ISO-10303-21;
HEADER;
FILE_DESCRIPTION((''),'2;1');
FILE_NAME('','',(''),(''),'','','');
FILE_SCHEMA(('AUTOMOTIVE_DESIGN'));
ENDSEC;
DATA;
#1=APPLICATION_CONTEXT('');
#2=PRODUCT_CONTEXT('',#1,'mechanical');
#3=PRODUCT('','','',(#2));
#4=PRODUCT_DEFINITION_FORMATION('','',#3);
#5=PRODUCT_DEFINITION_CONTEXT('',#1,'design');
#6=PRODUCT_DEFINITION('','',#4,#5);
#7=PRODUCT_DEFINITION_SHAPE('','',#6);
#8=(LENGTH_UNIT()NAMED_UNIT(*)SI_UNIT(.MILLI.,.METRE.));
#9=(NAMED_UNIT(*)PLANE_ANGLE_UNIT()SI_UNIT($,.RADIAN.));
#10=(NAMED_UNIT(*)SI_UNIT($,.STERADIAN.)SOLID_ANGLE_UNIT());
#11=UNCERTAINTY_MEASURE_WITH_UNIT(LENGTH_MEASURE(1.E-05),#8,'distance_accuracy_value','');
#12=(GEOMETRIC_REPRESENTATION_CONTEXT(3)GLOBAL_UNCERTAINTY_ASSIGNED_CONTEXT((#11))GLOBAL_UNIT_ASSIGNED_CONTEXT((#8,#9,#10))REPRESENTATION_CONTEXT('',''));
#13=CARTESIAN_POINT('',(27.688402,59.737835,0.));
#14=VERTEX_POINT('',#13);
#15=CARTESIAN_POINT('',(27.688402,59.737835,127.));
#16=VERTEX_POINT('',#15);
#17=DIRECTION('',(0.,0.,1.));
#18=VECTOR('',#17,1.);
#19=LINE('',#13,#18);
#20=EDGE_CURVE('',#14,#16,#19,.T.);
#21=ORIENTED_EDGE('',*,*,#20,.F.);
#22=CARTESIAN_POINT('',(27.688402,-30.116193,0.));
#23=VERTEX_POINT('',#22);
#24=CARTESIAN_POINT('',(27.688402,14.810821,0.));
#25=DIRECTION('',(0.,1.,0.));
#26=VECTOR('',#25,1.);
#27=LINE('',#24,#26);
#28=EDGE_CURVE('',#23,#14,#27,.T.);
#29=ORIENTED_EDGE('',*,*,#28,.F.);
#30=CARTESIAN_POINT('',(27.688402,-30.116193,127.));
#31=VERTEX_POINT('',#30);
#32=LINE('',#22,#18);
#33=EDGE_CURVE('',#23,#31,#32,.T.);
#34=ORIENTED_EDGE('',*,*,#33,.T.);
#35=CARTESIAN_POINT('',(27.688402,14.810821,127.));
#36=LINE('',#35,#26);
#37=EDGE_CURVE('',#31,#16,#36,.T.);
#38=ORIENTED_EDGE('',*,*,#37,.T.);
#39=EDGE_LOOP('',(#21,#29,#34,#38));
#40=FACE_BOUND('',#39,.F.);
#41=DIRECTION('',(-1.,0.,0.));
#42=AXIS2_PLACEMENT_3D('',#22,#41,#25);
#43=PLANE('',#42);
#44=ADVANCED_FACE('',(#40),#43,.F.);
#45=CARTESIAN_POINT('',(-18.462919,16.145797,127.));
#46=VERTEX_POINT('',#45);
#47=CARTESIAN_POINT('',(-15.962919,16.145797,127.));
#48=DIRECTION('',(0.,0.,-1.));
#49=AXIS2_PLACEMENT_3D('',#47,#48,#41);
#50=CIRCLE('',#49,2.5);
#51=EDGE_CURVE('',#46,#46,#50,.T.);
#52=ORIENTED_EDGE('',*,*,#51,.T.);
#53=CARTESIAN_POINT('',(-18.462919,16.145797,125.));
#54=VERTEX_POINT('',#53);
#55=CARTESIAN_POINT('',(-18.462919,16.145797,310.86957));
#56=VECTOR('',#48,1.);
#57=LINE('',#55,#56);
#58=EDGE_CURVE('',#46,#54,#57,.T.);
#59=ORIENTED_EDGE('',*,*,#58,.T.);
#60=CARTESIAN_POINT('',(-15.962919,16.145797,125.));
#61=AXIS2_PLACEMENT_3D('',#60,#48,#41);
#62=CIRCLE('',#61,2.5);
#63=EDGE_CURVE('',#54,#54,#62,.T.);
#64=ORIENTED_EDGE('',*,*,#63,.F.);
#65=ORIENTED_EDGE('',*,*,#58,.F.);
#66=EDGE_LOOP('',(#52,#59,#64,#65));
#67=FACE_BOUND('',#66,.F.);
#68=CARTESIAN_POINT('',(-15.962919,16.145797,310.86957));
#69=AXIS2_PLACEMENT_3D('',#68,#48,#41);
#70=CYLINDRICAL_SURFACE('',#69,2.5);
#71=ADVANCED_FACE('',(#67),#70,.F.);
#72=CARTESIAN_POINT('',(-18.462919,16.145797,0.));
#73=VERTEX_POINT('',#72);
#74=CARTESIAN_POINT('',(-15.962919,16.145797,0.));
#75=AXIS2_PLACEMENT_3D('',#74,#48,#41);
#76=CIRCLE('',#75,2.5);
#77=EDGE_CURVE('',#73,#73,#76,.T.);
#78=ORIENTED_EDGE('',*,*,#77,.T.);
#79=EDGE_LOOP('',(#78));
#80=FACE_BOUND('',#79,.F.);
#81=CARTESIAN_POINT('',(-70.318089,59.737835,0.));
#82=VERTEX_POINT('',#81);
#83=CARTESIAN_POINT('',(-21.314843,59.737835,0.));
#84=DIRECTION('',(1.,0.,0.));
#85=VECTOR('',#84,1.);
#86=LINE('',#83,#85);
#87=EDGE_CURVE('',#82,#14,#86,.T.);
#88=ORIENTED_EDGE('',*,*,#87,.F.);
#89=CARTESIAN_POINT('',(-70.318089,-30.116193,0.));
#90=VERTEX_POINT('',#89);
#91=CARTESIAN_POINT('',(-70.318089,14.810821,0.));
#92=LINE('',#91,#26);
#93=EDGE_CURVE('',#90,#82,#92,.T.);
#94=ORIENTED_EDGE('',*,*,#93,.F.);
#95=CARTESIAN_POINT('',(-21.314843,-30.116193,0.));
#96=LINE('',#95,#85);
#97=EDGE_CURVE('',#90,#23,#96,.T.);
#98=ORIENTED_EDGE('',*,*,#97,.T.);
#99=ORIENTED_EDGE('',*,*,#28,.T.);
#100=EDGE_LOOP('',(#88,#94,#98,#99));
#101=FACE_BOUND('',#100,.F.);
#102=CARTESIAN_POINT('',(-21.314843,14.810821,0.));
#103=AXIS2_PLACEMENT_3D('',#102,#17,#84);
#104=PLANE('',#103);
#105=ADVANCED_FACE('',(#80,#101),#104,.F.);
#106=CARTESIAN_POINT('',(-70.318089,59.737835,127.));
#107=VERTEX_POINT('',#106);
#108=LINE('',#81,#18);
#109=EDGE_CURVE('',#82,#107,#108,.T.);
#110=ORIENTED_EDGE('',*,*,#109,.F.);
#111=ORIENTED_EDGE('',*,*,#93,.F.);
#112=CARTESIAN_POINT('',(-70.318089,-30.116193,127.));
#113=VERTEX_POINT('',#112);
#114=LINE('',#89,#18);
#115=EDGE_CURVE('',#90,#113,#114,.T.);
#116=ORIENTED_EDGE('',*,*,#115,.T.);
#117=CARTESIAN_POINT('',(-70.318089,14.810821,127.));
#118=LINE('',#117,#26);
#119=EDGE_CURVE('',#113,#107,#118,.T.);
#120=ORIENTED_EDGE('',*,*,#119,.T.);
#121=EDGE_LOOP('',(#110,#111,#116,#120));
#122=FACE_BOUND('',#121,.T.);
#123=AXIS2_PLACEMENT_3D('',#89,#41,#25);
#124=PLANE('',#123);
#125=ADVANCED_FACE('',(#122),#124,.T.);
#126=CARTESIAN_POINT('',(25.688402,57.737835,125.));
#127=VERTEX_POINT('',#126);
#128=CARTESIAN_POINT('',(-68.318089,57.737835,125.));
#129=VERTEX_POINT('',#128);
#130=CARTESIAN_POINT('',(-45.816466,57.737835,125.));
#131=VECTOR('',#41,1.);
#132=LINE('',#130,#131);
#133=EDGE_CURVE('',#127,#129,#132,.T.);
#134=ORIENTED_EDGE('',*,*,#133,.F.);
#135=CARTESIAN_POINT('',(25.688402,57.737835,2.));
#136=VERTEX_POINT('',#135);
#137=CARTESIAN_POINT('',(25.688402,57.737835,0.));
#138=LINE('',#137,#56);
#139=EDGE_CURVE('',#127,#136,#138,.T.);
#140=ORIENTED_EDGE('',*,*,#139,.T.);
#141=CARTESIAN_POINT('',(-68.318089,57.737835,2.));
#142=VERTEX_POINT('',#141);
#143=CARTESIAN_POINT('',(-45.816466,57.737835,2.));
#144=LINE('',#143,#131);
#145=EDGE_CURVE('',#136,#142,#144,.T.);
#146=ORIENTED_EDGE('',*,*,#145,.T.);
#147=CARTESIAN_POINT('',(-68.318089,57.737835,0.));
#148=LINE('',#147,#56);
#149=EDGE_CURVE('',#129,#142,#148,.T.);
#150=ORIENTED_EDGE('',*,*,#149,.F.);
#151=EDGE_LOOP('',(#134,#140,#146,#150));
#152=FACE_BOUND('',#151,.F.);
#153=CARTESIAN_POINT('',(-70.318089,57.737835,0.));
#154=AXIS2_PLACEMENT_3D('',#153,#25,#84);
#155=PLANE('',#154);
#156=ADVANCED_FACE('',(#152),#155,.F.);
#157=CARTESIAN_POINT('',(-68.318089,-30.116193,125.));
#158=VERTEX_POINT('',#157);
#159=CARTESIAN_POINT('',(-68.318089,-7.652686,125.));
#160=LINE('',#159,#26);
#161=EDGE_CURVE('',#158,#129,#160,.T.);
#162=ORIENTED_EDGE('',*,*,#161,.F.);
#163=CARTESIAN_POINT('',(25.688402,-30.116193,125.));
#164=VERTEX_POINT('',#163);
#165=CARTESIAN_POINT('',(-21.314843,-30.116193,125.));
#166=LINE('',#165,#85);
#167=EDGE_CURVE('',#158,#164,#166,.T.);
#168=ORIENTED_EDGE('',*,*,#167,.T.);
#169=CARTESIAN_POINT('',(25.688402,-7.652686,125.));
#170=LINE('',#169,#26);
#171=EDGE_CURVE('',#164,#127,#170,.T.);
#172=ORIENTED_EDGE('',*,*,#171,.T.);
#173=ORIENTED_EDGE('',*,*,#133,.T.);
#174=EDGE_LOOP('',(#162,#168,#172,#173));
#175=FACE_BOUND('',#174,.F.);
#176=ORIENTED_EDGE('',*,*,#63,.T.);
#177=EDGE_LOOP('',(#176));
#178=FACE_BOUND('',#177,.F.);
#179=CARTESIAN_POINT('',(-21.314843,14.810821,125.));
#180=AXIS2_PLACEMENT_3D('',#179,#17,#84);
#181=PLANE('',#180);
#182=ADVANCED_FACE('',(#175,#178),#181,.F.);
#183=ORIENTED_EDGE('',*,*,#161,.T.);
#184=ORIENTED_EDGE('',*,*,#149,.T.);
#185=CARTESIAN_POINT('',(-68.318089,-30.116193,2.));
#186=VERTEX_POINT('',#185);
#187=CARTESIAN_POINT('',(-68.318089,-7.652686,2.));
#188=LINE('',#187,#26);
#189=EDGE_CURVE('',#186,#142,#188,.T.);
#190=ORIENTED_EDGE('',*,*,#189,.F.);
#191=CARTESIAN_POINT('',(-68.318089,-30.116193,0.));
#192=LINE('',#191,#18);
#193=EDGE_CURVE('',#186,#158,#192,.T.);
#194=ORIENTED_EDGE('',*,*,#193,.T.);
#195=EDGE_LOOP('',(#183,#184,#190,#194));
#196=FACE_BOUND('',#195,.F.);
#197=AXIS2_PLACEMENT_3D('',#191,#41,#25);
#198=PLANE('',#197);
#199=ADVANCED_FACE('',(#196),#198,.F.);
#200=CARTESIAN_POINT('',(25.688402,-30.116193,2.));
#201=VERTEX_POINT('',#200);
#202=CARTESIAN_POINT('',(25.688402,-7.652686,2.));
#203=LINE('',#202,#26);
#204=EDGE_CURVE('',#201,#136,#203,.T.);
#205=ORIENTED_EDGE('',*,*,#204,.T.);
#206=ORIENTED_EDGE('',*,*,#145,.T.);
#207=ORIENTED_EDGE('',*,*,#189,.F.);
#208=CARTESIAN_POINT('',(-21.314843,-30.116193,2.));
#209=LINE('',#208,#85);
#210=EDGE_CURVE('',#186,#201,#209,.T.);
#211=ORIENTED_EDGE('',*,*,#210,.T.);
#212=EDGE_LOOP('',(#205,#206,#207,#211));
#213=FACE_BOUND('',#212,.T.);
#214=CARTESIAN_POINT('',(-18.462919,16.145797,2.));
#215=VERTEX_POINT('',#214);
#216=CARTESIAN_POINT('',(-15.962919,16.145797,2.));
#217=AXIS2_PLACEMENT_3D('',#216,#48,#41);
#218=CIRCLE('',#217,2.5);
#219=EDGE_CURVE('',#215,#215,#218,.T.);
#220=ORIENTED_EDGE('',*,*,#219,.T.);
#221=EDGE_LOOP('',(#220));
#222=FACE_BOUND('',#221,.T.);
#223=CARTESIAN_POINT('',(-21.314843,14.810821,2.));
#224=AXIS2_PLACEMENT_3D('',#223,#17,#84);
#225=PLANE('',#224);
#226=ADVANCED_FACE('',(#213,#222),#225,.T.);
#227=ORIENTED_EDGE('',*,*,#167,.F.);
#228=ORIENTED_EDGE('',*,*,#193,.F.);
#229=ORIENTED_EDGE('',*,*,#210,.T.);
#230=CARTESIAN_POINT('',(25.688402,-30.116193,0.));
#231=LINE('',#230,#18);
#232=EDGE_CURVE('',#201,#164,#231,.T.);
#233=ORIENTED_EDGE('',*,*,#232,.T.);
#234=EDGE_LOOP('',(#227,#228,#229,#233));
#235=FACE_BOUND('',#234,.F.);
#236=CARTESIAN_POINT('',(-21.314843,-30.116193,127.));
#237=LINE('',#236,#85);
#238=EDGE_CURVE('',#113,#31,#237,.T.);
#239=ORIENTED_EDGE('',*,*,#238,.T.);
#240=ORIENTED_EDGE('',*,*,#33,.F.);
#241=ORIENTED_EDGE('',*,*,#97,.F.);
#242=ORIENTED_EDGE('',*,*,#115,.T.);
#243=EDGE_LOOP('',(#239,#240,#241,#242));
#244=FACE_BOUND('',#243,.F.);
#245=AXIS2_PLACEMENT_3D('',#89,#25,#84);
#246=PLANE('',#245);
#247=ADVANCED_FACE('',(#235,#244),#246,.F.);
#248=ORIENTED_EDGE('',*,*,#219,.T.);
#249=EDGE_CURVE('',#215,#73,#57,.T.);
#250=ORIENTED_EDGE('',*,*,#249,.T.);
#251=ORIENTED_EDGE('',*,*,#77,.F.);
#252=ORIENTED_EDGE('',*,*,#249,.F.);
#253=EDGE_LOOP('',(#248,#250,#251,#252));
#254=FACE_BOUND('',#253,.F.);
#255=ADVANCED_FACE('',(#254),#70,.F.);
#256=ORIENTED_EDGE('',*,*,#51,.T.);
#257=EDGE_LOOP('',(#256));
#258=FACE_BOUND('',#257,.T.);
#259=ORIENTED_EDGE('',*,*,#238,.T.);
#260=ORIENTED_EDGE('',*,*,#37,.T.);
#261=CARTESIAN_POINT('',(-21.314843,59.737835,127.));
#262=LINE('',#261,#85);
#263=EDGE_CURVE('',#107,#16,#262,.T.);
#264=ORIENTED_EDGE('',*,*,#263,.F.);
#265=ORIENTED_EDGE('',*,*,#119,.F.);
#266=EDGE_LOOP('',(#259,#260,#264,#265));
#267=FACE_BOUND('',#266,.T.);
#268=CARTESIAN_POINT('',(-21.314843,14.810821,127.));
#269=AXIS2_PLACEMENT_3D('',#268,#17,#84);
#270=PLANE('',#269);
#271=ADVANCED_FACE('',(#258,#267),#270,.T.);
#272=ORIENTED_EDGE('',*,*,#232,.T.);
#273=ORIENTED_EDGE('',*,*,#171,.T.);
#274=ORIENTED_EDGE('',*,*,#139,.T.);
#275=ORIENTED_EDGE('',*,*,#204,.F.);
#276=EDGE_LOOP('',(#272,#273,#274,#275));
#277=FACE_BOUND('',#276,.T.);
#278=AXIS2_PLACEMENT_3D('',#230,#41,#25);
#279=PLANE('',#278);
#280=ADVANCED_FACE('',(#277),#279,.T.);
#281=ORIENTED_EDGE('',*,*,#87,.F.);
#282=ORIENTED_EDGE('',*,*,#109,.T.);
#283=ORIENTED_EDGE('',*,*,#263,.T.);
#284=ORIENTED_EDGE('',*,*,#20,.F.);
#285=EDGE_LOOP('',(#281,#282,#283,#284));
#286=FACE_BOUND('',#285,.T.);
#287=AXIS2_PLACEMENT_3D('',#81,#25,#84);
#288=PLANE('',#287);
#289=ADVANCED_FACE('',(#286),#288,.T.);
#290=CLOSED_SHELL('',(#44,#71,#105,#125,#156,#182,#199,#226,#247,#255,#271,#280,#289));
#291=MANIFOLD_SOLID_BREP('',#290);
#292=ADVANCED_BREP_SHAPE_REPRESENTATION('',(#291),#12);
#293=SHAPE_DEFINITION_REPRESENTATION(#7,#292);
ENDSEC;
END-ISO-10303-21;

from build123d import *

# Parameters (mm, degrees)
F0_W     = 98.006491
F0_H     = 89.854028
F1_DEPTH = 127
F3_W     = 96.006491
F3_H     = 87.854028
F4_DEPTH = 84.733695
F5_T     = -2
F7_D     = 5


with BuildPart() as f1:
    # F0 (on Top) → F1 (new body)
    with BuildSketch(Plane.XY):
        with Locations((-21.314843, 14.810821)):
            Rectangle(F0_W, F0_H)
    extrude(amount=F1_DEPTH)

    # F3 (on face) → F4 (join)
    with BuildSketch(Plane.XY.offset(127)):
        with Locations((-21.314843, 14.810821)):
            Rectangle(F3_W, F3_H)
    extrude(amount=-F4_DEPTH)

    # F5
    f5_openings = [f1.faces().sort_by_distance(p)[0] for p in [
        (-21.314843, -30.116193, 63.5),
    ]]
    offset(amount=F5_T, openings=f5_openings)

    # F7 (through all)
    with Locations(Plane.XY.offset(127)):
        with Locations((-15.962919, 16.145797)):
            Hole(F7_D / 2)


solid = f1.part
